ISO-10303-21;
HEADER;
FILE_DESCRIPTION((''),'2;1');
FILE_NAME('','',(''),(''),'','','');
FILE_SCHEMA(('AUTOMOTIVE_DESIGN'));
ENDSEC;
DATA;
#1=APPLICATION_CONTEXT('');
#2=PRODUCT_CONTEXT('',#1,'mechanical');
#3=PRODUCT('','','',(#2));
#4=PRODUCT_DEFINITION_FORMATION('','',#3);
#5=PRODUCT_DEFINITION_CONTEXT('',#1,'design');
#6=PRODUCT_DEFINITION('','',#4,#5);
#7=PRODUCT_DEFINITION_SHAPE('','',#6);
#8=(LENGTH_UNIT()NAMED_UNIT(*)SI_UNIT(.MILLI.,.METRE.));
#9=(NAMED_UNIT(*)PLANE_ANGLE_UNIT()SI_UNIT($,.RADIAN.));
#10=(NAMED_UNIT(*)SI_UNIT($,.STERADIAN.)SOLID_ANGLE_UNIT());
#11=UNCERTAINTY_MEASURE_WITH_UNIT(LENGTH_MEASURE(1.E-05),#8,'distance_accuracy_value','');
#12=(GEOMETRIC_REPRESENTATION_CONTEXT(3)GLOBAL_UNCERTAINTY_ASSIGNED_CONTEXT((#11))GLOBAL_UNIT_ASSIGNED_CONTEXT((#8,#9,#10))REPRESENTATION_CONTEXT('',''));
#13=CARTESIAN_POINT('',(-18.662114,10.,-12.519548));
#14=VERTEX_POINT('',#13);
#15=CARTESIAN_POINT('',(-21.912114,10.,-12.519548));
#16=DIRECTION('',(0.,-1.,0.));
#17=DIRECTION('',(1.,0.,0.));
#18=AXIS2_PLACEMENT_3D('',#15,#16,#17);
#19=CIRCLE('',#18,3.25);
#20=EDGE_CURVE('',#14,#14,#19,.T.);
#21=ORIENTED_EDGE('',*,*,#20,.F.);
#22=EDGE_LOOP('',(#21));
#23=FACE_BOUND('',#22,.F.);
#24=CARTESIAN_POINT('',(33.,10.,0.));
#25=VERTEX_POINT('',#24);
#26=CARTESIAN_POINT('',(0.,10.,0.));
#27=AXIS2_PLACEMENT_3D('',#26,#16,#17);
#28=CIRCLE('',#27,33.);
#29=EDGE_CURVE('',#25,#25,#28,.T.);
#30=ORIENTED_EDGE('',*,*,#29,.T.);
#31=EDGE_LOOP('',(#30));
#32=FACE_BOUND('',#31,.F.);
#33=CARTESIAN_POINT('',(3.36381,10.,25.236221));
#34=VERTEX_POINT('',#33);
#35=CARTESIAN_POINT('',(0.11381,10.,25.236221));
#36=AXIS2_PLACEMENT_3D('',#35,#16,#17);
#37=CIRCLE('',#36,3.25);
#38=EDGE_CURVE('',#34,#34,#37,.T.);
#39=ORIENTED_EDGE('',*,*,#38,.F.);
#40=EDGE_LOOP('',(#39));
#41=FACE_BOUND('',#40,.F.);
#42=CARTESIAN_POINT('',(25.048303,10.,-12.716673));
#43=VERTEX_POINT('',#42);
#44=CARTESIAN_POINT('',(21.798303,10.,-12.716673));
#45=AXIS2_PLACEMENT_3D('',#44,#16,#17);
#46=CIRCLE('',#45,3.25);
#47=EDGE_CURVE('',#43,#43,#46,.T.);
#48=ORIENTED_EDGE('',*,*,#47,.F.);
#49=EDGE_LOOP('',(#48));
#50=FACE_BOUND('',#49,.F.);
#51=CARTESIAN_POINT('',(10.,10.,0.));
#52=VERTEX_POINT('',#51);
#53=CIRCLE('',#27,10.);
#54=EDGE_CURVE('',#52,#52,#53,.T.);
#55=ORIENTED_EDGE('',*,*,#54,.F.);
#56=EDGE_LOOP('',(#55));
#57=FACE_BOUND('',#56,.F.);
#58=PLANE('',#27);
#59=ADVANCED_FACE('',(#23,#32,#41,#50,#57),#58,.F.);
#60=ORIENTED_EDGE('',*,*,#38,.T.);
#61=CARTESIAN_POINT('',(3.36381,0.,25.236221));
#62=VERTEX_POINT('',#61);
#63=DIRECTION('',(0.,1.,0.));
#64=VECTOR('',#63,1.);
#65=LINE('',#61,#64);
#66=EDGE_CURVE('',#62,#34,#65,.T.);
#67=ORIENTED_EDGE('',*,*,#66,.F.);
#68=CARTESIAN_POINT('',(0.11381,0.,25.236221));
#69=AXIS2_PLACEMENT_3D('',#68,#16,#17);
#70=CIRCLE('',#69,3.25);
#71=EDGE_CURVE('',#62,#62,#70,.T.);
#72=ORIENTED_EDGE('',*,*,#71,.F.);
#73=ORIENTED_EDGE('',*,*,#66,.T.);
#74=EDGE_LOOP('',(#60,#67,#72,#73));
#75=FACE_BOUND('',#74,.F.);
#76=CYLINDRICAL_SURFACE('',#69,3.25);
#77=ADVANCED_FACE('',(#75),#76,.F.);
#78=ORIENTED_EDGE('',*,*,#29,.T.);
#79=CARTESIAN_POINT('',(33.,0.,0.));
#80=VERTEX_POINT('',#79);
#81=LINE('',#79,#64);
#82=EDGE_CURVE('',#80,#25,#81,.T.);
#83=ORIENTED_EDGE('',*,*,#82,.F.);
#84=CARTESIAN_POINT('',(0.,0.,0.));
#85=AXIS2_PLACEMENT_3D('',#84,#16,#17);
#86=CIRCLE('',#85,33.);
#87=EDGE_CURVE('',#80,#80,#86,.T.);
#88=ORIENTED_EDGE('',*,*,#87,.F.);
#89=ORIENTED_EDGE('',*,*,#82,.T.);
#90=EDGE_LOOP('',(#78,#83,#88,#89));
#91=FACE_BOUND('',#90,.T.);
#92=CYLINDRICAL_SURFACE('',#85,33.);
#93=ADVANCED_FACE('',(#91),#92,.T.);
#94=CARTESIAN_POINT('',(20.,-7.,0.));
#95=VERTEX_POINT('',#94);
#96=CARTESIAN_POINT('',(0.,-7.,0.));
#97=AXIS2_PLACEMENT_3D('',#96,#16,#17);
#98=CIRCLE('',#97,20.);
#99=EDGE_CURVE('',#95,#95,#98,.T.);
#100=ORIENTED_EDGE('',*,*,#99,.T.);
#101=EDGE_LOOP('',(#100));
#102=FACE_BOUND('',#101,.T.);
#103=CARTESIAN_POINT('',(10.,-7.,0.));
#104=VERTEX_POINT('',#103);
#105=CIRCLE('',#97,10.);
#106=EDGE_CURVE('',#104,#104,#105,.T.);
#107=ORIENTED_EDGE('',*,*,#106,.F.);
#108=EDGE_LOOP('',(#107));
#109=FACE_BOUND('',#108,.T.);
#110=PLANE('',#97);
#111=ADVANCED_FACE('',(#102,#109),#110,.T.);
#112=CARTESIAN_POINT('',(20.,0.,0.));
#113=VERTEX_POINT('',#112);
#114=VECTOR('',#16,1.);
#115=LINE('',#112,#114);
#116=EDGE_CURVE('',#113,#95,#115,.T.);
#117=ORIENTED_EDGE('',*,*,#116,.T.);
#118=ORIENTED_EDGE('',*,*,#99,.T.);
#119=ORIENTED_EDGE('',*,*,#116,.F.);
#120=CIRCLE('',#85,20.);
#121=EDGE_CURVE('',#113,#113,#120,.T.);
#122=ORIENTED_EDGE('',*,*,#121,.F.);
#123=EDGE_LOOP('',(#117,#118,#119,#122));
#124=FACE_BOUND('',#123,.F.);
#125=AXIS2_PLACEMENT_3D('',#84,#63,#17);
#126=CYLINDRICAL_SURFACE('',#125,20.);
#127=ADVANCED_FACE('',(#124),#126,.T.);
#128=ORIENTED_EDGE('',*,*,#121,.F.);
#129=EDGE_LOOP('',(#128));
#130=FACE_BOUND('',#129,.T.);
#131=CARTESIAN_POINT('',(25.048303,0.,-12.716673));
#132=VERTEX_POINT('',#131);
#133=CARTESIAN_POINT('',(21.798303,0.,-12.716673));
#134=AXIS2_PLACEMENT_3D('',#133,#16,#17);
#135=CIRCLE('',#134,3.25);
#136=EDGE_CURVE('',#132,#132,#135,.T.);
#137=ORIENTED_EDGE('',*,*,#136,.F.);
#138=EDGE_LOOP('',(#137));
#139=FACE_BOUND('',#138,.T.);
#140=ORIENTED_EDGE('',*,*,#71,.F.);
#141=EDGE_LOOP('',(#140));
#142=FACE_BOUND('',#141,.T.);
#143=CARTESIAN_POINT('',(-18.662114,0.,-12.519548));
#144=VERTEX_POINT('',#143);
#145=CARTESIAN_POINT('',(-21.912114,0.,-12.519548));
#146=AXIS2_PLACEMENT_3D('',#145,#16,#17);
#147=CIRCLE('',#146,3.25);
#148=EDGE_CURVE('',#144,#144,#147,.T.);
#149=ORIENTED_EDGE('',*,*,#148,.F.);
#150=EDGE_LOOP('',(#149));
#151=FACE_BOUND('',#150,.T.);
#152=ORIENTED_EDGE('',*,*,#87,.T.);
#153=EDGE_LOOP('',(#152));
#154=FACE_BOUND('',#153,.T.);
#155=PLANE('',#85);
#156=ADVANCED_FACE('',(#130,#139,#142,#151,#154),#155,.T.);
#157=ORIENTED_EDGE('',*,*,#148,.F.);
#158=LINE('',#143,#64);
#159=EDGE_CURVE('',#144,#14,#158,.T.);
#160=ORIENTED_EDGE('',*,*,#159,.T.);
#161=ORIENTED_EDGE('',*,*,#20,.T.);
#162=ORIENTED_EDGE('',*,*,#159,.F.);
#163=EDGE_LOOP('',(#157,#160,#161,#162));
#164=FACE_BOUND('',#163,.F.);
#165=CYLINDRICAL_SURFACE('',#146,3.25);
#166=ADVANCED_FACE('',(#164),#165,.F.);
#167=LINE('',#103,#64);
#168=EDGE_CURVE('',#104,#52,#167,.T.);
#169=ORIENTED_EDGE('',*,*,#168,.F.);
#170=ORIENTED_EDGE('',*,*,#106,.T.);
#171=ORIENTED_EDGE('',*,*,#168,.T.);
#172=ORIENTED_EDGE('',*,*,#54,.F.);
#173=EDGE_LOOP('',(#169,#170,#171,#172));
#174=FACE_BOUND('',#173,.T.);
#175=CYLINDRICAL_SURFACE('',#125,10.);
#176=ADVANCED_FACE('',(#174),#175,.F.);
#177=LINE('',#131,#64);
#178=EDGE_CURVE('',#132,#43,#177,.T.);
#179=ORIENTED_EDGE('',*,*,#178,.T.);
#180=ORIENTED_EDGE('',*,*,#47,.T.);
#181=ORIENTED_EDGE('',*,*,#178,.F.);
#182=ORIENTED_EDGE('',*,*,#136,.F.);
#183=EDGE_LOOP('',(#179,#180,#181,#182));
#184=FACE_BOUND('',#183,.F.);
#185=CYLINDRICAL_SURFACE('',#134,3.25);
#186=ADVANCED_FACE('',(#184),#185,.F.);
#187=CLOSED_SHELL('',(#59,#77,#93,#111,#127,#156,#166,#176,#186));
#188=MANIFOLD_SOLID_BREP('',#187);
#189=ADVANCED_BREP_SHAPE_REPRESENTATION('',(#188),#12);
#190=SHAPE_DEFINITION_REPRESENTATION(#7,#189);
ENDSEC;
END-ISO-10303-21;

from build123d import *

# Parameters (mm, degrees)
F0_R     = 33
F0_R_2   = 3.25
F0_R_3   = 20
F0_R_4   = 10
F1_DEPTH = 10
F2_DEPTH = 7


with BuildPart() as f1:
    # F0 (on Front) → F1 (new body)
    with BuildSketch(Plane.XZ):
        Circle(F0_R)
        with Locations((-21.9121137141, -12.5195478067)):
            Circle(F0_R_2, mode=Mode.SUBTRACT)
        with Locations((21.7983033015, -12.7166732237)):
            Circle(F0_R_2, mode=Mode.SUBTRACT)
        Circle(F0_R_3, mode=Mode.SUBTRACT)
        with Locations((0.1138104126, 25.2362210304)):
            Circle(F0_R_2, mode=Mode.SUBTRACT)
        Circle(F0_R_3)
        Circle(F0_R_4, mode=Mode.SUBTRACT)
    extrude(amount=-F1_DEPTH)

    # F0 (on Front) → F2 (join)
    with BuildSketch(Plane.XZ):
        Circle(F0_R_3)
        Circle(F0_R_4, mode=Mode.SUBTRACT)
    extrude(amount=F2_DEPTH)


solid = f1.part
